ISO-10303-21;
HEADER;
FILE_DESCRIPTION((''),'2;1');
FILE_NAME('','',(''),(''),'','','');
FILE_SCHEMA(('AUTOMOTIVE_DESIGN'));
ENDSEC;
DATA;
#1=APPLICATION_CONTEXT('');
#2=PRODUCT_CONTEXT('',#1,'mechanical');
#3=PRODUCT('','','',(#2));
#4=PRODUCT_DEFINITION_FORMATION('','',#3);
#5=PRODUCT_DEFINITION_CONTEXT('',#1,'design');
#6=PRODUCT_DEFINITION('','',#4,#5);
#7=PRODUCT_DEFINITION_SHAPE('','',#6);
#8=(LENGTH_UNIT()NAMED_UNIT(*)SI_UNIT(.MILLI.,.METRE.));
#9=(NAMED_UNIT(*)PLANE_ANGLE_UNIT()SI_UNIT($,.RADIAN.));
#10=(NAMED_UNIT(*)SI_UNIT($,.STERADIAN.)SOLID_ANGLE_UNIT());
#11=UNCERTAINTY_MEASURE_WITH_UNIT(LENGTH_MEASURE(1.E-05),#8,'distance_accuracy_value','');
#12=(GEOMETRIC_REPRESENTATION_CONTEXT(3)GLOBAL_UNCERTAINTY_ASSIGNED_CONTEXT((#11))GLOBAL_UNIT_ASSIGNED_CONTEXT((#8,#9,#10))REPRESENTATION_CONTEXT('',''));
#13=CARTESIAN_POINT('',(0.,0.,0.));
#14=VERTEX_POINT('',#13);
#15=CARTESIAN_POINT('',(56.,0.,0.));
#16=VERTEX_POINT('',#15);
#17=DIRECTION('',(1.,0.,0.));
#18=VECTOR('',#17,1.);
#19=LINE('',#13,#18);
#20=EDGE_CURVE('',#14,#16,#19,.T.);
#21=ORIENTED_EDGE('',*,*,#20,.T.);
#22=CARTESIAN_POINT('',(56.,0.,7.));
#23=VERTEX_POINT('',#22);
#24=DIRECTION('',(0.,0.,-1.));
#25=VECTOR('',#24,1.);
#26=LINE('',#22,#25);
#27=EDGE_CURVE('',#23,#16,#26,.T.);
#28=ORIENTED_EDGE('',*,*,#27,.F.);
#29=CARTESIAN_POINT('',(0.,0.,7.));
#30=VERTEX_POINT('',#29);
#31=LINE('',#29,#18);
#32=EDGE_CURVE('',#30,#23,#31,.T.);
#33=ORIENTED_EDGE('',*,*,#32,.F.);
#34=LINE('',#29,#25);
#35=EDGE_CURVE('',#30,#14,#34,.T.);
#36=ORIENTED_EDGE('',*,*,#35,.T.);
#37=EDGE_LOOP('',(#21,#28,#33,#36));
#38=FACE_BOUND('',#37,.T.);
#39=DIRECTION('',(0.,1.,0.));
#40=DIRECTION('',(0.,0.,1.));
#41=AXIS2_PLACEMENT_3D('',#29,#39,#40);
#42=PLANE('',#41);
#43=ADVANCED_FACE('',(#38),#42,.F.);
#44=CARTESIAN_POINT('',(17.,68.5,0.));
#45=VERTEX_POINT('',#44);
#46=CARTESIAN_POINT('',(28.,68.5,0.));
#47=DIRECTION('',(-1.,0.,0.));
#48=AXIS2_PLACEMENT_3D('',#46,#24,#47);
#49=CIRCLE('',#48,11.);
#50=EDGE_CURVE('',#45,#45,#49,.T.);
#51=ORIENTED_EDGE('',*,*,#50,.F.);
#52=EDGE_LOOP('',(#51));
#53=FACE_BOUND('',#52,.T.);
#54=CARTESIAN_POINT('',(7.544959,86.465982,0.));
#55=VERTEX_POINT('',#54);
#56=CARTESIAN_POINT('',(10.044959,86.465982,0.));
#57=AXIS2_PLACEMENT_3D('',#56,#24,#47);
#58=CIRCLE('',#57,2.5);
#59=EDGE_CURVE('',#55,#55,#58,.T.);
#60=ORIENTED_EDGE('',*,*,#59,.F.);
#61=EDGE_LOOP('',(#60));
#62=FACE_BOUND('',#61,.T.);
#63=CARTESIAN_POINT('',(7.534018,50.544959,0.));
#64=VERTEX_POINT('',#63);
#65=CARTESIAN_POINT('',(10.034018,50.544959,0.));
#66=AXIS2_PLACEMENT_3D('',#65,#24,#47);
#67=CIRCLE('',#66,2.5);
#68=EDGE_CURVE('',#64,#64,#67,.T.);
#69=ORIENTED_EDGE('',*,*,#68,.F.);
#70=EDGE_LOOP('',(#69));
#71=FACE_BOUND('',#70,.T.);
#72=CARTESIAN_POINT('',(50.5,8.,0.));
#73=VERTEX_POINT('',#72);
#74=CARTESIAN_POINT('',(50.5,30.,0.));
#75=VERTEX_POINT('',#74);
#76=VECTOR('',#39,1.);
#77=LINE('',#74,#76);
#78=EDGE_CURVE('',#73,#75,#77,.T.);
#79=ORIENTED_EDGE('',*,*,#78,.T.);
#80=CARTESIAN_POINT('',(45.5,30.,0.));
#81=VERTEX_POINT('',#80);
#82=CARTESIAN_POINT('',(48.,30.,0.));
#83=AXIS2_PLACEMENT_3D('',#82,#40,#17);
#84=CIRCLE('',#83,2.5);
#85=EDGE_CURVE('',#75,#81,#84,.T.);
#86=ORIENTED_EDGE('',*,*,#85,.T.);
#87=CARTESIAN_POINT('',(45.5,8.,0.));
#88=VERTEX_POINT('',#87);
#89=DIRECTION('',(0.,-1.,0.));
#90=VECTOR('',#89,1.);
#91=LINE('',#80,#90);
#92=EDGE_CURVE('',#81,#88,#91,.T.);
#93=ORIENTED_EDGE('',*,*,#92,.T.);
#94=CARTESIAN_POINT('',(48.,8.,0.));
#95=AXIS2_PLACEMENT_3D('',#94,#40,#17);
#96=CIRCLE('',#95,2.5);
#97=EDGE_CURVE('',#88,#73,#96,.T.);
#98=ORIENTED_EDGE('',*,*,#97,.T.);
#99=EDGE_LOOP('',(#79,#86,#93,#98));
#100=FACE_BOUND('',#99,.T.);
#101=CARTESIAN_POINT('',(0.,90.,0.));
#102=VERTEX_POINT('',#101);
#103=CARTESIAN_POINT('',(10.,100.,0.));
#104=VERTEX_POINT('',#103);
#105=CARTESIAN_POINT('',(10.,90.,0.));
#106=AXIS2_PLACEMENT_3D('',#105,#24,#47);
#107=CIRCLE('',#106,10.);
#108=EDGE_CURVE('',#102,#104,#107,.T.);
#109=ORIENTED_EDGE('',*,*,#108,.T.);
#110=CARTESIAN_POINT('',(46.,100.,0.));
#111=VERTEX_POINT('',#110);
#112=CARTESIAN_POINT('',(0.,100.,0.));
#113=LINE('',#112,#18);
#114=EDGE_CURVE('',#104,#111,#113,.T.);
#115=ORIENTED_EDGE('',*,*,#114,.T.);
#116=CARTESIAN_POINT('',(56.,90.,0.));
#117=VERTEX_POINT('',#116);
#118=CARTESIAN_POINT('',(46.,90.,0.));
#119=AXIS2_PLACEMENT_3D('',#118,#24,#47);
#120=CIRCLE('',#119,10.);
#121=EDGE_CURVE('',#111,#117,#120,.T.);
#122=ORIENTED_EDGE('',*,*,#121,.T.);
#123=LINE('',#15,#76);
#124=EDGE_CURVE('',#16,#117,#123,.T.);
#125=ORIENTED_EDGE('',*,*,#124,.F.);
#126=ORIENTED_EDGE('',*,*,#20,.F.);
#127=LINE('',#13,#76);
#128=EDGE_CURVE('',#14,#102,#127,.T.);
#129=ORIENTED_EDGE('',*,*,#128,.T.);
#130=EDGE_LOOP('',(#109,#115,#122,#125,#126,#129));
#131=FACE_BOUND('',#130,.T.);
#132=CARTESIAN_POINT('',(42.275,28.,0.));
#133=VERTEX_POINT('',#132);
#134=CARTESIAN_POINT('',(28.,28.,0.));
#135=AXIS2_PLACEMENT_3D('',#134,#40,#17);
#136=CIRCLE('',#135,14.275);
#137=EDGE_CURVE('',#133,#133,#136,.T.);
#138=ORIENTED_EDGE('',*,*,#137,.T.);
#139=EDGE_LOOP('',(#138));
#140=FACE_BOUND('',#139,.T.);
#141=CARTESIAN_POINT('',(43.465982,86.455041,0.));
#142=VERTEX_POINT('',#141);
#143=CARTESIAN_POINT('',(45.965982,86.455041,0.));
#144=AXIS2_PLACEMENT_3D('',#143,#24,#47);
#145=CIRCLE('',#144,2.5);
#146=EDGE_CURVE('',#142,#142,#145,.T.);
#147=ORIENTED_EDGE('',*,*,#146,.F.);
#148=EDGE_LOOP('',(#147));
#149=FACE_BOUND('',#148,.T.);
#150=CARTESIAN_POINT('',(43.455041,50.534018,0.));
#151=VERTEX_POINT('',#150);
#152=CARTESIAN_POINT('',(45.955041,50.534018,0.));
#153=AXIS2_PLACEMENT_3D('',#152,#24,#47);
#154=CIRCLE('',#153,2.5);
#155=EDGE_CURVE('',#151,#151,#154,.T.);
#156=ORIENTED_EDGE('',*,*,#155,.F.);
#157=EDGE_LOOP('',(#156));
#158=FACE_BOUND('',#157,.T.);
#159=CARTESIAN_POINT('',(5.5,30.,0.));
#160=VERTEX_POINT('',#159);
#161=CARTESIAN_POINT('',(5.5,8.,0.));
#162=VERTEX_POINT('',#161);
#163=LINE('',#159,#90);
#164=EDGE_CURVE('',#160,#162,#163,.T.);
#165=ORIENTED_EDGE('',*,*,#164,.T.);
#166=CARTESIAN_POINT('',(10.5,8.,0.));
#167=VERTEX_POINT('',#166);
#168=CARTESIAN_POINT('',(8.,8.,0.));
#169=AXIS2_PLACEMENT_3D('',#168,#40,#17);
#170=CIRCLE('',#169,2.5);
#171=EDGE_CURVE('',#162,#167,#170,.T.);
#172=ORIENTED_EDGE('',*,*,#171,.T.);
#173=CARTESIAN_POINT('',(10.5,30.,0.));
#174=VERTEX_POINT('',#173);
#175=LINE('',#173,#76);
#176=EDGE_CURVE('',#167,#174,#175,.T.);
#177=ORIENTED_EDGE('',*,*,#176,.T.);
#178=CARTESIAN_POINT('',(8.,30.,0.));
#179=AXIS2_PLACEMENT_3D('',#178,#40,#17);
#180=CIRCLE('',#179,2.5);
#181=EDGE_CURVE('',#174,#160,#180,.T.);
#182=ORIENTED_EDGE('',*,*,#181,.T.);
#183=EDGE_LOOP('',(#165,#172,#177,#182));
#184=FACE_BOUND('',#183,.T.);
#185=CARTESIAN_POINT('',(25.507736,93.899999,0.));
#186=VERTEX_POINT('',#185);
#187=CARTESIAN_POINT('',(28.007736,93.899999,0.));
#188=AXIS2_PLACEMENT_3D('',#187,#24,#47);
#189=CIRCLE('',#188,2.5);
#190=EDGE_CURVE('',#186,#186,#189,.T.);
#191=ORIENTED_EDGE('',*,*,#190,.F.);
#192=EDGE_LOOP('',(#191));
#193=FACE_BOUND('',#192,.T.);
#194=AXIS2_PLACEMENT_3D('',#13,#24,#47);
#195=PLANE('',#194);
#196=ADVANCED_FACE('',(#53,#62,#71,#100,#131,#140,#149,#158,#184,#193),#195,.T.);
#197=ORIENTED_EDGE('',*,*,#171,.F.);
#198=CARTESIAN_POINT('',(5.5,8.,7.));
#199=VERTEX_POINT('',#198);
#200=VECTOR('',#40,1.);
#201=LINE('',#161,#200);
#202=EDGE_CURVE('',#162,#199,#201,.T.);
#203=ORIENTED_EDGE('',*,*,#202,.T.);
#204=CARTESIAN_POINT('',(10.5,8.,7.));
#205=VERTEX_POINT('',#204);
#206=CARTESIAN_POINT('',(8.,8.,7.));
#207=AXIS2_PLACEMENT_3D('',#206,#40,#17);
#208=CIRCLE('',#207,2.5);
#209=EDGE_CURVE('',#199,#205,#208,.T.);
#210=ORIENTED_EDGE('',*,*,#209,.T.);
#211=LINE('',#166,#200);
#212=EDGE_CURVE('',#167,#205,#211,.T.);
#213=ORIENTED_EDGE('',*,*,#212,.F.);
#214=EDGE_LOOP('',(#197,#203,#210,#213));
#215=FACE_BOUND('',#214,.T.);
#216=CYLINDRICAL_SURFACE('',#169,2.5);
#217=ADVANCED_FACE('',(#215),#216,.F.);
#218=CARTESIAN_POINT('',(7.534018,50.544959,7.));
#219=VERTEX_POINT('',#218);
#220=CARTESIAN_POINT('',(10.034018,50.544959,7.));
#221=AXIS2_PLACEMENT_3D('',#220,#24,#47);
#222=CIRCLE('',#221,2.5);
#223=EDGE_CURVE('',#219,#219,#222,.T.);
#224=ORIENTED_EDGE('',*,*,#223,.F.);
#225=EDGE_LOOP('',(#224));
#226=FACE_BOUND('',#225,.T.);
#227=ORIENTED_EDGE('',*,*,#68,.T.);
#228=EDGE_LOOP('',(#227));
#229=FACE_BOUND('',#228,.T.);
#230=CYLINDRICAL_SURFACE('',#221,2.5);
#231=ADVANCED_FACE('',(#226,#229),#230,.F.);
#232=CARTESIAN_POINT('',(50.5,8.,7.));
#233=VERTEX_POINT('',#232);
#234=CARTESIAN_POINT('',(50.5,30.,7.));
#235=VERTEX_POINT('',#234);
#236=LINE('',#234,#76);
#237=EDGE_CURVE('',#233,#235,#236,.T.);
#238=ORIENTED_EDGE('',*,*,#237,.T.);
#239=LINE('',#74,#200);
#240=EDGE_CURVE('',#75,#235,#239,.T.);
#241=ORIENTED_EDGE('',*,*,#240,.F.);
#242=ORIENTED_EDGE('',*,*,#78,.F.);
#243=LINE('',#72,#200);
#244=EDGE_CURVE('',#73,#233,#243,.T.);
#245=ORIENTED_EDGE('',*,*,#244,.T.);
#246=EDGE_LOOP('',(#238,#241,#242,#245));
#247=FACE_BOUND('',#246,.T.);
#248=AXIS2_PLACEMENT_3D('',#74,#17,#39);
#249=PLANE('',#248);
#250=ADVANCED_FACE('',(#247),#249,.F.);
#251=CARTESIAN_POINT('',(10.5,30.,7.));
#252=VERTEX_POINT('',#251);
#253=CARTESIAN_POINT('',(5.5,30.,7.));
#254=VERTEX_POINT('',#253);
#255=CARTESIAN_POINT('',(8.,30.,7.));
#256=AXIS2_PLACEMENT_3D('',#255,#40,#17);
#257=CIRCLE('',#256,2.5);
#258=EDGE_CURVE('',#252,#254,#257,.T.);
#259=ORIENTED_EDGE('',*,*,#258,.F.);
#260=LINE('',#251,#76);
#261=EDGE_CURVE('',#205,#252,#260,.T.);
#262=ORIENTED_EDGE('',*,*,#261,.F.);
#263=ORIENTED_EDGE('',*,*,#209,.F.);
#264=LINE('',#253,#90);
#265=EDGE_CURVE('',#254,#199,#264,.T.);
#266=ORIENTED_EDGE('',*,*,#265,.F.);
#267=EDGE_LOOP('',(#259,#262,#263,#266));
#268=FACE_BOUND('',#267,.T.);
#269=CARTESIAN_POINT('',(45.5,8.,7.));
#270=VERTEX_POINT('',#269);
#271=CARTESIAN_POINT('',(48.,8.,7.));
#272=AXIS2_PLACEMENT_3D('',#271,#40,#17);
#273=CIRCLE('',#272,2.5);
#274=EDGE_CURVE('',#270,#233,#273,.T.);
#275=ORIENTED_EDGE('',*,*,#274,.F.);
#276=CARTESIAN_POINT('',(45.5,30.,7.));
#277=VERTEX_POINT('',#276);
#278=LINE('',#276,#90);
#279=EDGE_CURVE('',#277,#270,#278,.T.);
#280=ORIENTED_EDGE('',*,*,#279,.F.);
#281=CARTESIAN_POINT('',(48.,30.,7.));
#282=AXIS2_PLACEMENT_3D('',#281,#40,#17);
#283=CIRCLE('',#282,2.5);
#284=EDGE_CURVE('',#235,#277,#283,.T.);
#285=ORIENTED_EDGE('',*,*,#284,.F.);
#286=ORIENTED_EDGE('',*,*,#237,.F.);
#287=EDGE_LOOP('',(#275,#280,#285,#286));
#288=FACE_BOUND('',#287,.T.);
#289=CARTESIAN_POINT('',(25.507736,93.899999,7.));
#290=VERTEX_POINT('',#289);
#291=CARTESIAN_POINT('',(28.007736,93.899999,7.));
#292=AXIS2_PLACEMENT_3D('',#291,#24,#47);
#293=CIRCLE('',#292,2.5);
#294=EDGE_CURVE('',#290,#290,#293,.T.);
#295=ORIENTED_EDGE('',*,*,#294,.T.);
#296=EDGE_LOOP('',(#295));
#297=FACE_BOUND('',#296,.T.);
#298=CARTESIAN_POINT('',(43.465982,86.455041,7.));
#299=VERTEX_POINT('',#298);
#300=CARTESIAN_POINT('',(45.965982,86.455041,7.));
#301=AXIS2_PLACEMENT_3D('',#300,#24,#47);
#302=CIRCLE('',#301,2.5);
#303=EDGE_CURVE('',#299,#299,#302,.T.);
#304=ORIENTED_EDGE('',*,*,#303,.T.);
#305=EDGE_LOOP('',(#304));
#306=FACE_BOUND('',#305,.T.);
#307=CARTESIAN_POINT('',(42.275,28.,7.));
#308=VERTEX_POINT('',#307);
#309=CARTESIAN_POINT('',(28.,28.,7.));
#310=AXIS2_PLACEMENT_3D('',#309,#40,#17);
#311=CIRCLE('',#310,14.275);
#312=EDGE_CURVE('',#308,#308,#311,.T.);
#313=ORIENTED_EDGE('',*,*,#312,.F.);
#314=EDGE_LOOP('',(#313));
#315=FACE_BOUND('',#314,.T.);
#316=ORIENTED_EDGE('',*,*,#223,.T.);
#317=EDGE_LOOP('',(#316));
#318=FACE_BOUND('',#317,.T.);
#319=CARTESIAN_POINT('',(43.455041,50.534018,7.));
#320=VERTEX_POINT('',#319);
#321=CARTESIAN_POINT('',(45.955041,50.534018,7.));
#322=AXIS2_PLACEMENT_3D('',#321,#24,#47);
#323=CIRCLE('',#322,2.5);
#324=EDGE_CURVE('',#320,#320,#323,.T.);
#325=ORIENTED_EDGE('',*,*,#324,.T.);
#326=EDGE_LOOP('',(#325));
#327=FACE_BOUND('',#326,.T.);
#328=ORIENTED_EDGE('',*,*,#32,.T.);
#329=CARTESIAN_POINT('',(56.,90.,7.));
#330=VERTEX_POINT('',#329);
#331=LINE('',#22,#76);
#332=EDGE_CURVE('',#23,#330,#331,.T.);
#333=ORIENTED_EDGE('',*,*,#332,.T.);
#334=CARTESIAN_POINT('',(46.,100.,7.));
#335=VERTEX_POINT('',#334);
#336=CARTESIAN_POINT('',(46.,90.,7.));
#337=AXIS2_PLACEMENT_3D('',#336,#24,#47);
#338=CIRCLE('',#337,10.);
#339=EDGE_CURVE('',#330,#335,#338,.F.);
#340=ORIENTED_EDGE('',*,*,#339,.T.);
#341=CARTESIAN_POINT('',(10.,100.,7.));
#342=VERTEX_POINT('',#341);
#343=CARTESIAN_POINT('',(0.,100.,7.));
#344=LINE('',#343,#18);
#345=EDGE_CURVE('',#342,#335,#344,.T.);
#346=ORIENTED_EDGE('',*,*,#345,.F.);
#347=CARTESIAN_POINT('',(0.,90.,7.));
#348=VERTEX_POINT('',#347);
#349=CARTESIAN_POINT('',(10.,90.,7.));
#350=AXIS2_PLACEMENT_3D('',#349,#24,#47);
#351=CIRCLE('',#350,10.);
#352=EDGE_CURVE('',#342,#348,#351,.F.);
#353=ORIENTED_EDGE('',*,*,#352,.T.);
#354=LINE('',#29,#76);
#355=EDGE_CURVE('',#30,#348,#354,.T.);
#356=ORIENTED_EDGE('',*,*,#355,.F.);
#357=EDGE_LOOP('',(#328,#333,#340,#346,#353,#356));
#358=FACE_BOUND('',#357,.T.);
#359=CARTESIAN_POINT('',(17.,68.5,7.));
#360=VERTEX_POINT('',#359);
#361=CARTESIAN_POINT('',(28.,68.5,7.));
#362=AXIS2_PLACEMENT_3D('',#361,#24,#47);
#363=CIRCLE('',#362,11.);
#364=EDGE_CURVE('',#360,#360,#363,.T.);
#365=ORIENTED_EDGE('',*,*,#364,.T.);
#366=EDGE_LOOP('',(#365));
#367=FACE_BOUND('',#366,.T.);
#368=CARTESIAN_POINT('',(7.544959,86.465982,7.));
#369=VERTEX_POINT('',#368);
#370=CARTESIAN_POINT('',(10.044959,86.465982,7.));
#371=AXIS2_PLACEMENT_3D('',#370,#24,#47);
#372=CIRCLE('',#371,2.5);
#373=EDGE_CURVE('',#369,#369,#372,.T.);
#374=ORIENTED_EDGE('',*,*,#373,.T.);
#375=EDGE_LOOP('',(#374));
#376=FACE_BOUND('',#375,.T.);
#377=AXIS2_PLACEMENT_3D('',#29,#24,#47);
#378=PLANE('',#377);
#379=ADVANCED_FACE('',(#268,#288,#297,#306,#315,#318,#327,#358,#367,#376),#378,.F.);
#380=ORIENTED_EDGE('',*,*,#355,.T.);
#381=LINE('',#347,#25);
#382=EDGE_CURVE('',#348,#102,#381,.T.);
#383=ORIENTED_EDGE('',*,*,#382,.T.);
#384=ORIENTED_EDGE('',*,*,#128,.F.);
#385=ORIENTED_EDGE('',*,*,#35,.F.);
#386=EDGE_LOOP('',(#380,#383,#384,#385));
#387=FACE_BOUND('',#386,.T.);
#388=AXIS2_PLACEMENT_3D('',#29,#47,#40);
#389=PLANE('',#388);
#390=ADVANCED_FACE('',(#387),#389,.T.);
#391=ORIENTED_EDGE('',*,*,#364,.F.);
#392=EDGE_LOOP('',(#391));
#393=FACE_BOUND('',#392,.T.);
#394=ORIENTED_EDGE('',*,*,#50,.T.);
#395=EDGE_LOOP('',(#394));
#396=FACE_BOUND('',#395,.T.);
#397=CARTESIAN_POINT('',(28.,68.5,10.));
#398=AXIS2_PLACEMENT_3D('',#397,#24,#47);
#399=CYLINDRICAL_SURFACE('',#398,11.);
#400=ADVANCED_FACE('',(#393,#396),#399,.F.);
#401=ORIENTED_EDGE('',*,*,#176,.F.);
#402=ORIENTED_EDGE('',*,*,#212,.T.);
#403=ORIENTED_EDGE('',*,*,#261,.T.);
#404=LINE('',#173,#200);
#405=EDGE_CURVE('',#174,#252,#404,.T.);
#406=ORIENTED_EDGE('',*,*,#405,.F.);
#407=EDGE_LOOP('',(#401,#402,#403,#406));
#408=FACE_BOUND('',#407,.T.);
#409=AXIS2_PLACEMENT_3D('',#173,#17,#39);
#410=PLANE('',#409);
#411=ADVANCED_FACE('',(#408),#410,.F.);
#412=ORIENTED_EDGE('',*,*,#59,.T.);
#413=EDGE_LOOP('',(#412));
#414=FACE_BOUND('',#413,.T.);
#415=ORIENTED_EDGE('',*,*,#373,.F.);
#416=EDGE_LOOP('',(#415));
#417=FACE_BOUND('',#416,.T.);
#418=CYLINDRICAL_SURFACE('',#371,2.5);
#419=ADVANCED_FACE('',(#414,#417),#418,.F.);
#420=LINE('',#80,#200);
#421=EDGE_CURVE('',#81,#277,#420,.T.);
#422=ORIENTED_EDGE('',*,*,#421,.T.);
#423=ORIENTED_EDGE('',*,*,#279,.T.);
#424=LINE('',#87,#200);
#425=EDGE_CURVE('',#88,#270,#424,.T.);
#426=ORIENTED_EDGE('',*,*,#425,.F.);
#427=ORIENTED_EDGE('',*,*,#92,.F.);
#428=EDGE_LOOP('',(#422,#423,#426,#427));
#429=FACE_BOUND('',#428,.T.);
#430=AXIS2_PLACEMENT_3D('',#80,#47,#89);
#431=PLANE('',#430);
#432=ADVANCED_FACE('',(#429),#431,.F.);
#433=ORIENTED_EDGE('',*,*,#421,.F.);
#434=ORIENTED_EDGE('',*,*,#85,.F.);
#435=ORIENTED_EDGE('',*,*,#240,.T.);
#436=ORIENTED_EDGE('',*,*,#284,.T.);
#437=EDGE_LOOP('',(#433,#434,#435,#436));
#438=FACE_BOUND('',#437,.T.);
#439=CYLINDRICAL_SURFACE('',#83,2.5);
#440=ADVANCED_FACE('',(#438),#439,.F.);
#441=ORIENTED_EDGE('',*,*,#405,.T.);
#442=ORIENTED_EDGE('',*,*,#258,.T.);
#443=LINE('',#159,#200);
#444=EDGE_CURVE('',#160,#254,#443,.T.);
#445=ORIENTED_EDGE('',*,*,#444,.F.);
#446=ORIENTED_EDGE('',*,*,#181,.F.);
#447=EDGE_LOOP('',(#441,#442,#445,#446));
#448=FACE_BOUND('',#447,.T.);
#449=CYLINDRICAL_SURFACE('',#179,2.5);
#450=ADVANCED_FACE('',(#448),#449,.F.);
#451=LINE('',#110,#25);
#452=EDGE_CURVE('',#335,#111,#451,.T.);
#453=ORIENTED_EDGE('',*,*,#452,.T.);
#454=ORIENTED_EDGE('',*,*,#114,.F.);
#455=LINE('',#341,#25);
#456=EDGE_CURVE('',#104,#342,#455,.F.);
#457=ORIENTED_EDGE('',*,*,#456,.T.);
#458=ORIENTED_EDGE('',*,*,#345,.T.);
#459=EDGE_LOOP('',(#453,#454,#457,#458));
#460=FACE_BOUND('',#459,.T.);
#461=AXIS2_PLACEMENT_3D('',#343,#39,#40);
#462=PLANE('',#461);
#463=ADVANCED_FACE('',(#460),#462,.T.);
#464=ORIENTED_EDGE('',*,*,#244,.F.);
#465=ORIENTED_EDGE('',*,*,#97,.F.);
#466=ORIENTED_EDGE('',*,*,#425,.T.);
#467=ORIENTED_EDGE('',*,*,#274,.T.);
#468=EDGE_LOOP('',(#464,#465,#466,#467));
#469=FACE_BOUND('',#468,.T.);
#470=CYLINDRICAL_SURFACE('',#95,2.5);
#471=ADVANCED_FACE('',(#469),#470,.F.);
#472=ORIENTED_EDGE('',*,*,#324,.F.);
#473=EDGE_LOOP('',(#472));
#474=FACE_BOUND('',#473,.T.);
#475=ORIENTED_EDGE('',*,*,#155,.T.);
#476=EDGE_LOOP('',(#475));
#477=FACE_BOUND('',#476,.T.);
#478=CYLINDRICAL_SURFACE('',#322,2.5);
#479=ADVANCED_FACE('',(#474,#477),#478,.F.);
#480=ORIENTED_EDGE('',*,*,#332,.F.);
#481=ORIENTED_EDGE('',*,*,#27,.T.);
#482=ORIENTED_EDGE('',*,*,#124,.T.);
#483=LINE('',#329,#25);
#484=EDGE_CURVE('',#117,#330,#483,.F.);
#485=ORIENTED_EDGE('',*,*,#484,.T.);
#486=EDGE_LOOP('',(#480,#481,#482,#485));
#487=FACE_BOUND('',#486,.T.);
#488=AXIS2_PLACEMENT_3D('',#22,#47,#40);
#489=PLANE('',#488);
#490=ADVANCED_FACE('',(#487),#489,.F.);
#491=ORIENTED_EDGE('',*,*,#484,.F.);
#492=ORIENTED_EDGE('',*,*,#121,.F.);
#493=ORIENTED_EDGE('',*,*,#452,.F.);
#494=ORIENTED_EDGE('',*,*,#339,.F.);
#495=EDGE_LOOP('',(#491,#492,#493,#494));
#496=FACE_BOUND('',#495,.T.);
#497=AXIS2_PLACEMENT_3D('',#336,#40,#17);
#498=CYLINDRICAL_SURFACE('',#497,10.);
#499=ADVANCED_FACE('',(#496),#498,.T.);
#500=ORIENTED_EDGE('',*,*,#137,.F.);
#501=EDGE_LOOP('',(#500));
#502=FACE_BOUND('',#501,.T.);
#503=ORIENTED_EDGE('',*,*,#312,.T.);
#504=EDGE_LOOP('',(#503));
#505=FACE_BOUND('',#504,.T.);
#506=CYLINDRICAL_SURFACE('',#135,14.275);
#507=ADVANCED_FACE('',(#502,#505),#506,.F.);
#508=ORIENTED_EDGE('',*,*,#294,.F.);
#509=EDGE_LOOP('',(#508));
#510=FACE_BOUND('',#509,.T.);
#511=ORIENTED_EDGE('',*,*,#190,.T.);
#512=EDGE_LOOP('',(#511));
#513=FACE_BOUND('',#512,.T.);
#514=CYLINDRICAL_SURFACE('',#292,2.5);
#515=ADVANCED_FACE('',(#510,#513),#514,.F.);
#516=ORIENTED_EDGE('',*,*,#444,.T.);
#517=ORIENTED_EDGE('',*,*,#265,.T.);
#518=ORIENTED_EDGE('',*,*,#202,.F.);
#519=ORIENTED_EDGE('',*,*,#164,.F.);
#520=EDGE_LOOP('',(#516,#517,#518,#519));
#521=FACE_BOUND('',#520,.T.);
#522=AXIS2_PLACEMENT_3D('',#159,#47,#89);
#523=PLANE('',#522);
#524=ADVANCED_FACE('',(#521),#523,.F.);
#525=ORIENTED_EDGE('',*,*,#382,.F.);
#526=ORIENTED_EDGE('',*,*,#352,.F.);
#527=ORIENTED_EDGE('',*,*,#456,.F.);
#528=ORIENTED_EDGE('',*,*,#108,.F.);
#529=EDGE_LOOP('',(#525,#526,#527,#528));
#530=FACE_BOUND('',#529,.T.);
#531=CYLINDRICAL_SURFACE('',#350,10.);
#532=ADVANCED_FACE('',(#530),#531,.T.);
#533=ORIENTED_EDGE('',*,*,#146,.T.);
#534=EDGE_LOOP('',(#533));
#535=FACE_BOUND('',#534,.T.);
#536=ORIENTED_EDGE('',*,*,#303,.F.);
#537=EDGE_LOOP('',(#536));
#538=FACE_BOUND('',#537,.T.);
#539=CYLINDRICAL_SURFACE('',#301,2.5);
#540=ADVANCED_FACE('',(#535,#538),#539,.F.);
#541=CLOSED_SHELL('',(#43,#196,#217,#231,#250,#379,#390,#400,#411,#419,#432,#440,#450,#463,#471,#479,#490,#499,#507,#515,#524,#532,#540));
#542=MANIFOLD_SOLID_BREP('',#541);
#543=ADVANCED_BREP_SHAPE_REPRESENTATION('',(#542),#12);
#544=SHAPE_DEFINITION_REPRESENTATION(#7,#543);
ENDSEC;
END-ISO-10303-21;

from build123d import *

# Parameters (mm, degrees)
SKETCH1_W           = 56
SKETCH1_H           = 100
BOSS_EXTRUDE1_DEPTH = 7
SKETCH2_R           = 14.275
CUT_EXTRUDE1_DEPTH  = 8
SKETCH3_R           = 11
CUT_EXTRUDE2_DEPTH  = 10
SKETCH4_R           = 2.5
CUT_EXTRUDE3_DEPTH  = 8
FILLET1_R           = 10


with BuildPart() as part:
    # Sketch1 → Boss-Extrude1 (new body)
    with BuildSketch(Plane.XY):
        with Locations((28, 50)):
            Rectangle(SKETCH1_W, SKETCH1_H)
    extrude(amount=BOSS_EXTRUDE1_DEPTH)

    # Sketch2 → Cut-Extrude1 (cut, through all)
    with BuildSketch(Plane.XY.offset(7)):
        with Locations((28, 28)):
            Circle(SKETCH2_R)
        with BuildLine():
            Line((10.5, 30), (10.5, 8))
            ThreePointArc((10.5, 8), (8, 5.5), (5.5, 8))
            Line((5.5, 8), (5.5, 30))
            ThreePointArc((5.5, 30), (8, 32.5), (10.5, 30))
        make_face()
        with BuildLine():
            Line((50.5, 30), (50.5, 8))
            ThreePointArc((50.5, 8), (48, 5.5), (45.5, 8))
            Line((45.5, 8), (45.5, 30))
            ThreePointArc((45.5, 30), (48, 32.5), (50.5, 30))
        make_face()
    extrude(amount=-CUT_EXTRUDE1_DEPTH, mode=Mode.SUBTRACT)

    # Sketch3 → Cut-Extrude2 (cut)
    with BuildSketch(Plane(origin=(0, 0, 0), x_dir=(-1, 0, 0), z_dir=(0, 0, -1))):
        with Locations((-28, 68.5)):
            Circle(SKETCH3_R)
    extrude(amount=-CUT_EXTRUDE2_DEPTH, mode=Mode.SUBTRACT)

    # Sketch4 → Cut-Extrude3 (cut, through all)
    with BuildSketch(Plane(origin=(0, 0, 0), x_dir=(-1, 0, 0), z_dir=(0, 0, -1))):
        with Locations((-45.965981938, 86.45504088)):
            Circle(SKETCH4_R)
        with Locations((-28.007736497, 93.899998822)):
            Circle(SKETCH4_R)
        with Locations((-10.04495912, 86.465981938)):
            Circle(SKETCH4_R)
        with Locations((-45.95504088, 50.534018062)):
            Circle(SKETCH4_R)
        with Locations((-10.034018062, 50.54495912)):
            Circle(SKETCH4_R)
    extrude(amount=-CUT_EXTRUDE3_DEPTH, mode=Mode.SUBTRACT)

    # Fillet1
    fillet1_edges = [part.edges().sort_by_distance(p)[0] for p in [
        (56, 100, 3.5),
        (0, 100, 3.5),
    ]]
    fillet(fillet1_edges, radius=FILLET1_R)


solid = part.part
